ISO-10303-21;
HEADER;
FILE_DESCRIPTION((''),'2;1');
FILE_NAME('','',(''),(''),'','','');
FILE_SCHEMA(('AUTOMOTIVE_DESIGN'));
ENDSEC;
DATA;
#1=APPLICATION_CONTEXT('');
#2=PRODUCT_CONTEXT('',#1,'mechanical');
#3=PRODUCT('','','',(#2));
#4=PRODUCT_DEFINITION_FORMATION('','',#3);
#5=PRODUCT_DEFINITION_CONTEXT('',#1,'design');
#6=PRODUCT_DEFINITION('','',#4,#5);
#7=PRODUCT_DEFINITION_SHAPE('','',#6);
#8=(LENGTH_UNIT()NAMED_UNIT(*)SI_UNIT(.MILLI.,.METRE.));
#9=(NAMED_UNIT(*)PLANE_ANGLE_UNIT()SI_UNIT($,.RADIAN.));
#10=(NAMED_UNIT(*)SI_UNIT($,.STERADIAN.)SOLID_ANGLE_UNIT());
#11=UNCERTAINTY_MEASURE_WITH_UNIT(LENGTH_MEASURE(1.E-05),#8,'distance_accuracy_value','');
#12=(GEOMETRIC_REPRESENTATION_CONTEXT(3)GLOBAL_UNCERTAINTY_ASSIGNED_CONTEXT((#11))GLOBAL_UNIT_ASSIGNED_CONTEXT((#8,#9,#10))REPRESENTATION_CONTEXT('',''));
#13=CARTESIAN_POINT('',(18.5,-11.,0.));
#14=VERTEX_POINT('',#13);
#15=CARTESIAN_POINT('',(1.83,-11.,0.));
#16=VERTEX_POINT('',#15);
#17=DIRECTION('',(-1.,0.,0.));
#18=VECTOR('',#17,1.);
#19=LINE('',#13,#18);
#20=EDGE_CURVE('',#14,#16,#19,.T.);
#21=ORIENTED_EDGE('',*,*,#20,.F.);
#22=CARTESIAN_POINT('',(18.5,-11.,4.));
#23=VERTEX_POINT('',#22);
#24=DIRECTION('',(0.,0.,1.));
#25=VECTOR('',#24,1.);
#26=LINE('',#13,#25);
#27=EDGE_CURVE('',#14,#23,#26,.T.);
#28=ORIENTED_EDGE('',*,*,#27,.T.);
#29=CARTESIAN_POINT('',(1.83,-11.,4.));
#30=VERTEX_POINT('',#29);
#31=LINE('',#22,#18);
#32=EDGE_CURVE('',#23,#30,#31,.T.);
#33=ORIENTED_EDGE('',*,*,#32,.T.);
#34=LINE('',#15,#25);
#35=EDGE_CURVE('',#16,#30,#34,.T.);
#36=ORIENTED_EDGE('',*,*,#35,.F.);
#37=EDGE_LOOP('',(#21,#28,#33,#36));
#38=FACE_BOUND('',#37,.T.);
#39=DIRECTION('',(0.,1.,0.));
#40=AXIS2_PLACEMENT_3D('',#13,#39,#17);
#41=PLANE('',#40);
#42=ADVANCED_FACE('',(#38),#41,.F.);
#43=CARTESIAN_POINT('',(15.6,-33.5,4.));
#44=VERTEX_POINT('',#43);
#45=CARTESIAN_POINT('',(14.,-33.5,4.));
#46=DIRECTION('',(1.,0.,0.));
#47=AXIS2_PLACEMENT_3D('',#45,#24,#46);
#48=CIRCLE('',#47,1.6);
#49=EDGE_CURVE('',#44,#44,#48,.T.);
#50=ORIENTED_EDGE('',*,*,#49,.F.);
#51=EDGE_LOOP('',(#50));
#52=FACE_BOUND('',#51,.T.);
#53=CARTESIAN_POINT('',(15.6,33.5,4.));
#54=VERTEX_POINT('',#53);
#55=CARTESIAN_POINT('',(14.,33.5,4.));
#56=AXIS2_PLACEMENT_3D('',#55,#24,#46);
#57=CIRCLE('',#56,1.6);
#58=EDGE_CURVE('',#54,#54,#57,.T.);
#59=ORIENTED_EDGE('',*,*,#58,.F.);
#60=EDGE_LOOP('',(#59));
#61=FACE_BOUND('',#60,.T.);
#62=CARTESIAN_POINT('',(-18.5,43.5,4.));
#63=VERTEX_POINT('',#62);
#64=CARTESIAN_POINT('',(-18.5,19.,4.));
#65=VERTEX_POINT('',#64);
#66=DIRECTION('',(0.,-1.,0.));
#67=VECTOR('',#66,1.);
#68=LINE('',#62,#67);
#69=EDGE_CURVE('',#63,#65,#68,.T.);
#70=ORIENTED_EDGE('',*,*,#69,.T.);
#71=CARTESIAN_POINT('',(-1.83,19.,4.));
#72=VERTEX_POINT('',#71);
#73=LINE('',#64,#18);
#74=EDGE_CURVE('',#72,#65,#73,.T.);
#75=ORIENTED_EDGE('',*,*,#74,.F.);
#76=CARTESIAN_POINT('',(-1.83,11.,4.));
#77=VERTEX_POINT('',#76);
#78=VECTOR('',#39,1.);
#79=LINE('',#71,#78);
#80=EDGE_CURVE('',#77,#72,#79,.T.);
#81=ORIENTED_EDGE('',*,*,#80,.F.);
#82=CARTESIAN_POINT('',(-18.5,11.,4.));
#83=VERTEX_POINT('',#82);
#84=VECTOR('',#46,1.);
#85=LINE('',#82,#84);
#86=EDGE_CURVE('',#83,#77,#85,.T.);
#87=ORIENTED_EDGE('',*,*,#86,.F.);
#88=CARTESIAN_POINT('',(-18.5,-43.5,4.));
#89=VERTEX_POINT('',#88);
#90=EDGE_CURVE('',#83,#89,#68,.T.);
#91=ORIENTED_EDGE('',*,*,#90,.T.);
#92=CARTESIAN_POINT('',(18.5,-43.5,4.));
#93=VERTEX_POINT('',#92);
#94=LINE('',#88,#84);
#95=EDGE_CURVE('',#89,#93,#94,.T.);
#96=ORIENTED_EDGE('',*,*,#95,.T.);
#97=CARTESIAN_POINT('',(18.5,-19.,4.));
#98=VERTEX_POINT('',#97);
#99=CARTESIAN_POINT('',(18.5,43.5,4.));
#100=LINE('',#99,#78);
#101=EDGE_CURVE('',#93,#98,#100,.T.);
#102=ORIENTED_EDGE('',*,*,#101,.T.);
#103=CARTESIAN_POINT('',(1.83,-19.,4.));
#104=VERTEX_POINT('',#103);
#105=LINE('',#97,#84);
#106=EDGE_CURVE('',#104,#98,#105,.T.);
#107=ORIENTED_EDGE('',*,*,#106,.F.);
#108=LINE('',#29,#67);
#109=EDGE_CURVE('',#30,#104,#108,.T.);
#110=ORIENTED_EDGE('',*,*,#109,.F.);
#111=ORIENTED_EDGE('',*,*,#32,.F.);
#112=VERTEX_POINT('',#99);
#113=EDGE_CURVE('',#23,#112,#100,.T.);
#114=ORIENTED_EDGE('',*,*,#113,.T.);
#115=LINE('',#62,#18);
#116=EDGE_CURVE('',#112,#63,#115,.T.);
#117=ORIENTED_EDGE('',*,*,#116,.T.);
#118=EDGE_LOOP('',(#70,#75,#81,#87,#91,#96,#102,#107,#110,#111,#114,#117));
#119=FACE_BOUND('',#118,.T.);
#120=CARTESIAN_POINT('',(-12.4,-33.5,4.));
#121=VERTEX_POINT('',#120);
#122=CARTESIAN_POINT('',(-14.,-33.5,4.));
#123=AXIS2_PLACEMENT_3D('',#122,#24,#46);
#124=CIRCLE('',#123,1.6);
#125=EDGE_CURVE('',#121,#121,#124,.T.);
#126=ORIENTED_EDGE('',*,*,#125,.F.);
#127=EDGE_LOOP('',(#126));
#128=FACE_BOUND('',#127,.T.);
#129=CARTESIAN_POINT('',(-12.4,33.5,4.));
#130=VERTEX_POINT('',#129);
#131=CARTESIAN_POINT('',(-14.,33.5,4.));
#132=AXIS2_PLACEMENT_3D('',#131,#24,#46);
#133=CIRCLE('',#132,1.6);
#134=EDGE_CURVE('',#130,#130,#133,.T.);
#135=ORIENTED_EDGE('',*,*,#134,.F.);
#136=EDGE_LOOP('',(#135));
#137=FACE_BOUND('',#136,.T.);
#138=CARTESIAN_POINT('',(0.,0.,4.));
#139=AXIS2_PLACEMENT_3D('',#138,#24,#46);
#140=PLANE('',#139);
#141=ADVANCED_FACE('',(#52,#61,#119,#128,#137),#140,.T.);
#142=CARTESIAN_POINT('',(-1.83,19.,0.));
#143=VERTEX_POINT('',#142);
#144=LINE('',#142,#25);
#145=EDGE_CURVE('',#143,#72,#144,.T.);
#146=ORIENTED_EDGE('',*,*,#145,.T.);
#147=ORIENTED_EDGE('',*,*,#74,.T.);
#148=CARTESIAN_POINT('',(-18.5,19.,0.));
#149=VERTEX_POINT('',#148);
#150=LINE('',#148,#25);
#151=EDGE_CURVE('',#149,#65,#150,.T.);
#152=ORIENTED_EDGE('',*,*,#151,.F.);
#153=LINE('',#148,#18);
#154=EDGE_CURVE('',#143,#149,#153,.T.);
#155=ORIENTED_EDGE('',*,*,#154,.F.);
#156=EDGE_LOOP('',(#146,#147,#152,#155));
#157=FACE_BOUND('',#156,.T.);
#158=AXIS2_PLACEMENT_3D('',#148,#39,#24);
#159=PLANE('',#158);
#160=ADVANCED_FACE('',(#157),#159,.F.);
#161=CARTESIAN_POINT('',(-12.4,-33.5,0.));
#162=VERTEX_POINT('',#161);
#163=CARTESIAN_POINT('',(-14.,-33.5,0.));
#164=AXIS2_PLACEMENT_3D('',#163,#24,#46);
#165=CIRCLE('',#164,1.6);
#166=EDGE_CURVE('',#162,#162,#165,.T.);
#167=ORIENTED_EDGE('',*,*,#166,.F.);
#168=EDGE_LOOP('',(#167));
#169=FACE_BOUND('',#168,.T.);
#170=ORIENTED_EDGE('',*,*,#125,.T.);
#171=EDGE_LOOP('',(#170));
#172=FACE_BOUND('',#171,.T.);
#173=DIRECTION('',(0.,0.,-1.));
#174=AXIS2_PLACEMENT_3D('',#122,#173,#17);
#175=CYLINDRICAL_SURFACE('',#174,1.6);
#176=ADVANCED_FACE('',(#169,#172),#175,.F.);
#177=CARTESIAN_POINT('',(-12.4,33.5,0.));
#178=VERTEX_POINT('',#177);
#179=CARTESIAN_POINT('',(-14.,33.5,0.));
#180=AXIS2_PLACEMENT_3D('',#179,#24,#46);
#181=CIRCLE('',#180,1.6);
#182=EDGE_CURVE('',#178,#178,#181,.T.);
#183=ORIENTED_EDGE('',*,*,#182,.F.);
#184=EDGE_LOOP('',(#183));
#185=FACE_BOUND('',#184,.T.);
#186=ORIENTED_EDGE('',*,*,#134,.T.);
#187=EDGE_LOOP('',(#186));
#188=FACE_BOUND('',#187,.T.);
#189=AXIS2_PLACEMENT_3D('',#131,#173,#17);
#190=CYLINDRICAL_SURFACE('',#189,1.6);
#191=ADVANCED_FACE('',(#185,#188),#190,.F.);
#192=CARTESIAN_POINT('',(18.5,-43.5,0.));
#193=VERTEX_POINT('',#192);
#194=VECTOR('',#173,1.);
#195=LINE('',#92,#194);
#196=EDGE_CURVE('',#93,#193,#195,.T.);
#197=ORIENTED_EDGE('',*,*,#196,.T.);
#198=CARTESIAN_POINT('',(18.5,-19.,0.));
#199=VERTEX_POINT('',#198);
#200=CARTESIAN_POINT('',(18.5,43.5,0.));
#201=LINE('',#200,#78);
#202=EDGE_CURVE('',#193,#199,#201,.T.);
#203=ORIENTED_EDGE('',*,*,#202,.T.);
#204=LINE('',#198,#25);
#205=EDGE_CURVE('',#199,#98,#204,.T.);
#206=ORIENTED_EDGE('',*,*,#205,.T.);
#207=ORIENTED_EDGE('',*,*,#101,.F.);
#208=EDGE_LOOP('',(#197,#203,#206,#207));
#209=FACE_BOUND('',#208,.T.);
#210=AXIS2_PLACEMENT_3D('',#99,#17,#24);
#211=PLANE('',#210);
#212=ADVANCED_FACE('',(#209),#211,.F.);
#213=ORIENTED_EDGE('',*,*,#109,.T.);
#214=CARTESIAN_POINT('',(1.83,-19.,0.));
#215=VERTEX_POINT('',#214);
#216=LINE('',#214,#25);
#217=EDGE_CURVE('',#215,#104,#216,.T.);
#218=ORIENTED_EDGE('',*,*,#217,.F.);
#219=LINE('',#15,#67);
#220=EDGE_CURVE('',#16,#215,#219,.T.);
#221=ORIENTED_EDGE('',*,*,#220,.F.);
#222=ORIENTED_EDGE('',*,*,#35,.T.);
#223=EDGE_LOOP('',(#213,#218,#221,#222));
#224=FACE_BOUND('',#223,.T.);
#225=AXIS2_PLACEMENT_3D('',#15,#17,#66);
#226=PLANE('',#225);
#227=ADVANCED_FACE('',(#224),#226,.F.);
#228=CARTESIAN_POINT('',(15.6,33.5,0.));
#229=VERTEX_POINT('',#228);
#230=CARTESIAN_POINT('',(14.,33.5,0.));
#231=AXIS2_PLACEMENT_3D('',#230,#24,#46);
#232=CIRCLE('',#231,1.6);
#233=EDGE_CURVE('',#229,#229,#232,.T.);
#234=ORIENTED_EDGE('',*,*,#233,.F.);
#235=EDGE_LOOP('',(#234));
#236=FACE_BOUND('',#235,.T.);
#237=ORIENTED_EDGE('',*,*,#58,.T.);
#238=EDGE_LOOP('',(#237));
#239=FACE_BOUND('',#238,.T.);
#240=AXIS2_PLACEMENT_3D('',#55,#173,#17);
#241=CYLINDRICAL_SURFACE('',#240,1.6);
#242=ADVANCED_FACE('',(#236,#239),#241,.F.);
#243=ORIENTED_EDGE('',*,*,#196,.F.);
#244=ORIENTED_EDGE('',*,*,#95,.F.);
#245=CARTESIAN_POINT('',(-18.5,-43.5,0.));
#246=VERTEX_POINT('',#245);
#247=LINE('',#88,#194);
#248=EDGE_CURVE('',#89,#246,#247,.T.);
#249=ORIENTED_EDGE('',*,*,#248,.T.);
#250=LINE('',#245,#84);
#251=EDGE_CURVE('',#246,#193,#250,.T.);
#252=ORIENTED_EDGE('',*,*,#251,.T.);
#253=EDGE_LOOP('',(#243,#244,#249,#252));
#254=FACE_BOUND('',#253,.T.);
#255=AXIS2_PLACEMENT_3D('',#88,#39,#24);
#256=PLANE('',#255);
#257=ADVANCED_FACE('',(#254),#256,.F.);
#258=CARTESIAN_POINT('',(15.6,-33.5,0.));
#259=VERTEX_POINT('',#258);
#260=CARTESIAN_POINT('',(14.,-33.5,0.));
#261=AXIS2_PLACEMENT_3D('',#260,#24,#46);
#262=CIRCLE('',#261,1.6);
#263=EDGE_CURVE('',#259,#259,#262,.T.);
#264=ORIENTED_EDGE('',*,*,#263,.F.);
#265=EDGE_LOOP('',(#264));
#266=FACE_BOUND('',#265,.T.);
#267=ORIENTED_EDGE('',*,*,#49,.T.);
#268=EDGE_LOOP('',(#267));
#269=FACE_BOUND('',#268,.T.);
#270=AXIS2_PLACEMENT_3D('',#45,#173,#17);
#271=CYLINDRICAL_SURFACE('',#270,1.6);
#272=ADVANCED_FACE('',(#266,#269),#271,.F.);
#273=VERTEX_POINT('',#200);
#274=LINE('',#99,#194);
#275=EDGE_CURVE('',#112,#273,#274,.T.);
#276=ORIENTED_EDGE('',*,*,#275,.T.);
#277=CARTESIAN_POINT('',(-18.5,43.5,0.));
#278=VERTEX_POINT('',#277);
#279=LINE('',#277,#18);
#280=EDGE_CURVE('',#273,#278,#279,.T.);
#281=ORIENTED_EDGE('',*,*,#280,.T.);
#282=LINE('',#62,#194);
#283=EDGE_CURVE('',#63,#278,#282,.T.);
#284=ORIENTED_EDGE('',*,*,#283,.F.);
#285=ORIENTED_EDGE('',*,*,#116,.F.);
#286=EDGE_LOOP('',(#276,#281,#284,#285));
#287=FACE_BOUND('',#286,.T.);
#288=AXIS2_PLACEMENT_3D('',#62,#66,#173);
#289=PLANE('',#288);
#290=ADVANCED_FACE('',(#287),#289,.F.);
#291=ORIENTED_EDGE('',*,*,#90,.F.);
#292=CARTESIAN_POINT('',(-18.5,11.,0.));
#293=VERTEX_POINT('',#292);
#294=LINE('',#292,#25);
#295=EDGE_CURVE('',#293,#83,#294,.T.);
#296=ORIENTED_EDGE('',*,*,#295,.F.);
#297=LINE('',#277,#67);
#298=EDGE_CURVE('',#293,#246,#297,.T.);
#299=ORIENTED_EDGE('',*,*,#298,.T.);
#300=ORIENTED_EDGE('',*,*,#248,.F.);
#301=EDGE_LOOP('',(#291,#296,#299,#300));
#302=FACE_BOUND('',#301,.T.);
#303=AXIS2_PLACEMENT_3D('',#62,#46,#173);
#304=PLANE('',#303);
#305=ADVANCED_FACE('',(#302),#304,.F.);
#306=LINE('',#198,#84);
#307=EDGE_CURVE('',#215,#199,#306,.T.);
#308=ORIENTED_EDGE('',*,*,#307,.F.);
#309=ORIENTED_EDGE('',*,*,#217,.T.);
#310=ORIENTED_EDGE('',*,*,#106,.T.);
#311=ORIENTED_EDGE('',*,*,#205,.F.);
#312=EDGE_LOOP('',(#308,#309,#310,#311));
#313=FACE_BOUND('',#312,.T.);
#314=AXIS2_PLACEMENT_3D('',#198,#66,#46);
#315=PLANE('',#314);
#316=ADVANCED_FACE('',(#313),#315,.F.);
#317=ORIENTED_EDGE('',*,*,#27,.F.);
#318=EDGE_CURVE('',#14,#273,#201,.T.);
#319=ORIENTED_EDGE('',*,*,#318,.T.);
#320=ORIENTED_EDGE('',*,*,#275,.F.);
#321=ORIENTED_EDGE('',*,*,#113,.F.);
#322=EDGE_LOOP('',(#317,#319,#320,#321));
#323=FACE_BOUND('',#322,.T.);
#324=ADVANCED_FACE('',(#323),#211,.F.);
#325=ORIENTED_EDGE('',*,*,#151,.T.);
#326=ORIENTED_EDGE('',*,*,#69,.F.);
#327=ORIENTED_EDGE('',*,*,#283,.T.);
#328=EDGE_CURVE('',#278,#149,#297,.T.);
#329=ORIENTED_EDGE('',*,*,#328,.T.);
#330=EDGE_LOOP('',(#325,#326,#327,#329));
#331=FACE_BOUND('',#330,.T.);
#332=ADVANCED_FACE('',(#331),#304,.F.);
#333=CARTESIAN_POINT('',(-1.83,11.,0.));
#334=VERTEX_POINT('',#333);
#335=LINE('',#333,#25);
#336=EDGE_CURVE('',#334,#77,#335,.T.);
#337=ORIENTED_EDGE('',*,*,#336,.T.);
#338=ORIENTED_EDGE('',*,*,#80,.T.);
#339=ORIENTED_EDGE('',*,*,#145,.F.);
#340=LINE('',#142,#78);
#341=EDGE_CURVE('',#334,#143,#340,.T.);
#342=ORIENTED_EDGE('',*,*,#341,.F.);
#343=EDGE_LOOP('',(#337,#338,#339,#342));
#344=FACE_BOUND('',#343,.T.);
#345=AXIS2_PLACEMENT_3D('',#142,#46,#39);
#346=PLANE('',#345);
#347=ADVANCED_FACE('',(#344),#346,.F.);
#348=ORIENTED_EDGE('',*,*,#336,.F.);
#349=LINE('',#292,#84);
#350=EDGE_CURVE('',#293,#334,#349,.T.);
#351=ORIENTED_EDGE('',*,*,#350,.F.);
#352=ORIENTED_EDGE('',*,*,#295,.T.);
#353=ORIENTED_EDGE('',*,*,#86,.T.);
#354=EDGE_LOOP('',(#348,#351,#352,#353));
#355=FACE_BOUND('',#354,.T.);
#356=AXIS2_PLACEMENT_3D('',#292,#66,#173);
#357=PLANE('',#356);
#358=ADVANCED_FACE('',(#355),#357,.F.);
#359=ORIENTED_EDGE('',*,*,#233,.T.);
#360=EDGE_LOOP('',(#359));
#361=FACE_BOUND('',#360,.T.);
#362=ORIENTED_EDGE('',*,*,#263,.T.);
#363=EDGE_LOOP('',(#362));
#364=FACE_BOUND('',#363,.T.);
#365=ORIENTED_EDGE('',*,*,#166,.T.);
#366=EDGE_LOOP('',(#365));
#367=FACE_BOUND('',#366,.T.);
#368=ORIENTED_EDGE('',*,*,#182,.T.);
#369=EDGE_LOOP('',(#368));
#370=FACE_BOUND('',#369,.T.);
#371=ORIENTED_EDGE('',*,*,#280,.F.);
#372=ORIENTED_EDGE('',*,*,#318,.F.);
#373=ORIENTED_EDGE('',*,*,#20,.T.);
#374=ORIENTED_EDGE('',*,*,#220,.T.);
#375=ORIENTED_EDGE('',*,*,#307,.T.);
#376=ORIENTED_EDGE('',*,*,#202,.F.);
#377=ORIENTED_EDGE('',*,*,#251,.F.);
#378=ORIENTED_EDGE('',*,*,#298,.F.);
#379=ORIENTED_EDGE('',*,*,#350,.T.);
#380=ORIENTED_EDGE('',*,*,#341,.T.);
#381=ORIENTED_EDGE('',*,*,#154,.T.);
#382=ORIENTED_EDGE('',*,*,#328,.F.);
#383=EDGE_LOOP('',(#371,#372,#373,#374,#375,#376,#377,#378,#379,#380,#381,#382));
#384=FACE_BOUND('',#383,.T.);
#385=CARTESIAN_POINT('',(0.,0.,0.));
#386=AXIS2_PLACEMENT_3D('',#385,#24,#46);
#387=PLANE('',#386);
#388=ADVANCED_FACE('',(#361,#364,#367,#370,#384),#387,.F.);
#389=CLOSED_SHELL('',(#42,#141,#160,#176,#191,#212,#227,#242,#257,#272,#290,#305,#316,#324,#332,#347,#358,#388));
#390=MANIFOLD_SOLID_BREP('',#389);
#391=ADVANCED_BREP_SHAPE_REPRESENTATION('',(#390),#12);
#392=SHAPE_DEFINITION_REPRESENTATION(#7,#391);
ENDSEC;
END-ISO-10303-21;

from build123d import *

# Parameters (mm, degrees)
SKETCH_1_W          = 37
SKETCH_1_H          = 87
SKETCH_1_R          = 1.6
EXTRUDE_1_DEPTH     = 4
SKETCH_2_W          = 16.67
SKETCH_2_H          = 8
CUT_EXTRUDE_1_DEPTH = 48.439435073


with BuildPart() as part:
    # 草图1 → 凸台-拉伸1 (new body)
    with BuildSketch(Plane.XY):
        Rectangle(SKETCH_1_W, SKETCH_1_H)
        with Locations((-14, 33.5)):
            Circle(SKETCH_1_R, mode=Mode.SUBTRACT)
        with Locations((14, 33.5)):
            Circle(SKETCH_1_R, mode=Mode.SUBTRACT)
        with Locations((-14, -33.5)):
            Circle(SKETCH_1_R, mode=Mode.SUBTRACT)
        with Locations((14, -33.5)):
            Circle(SKETCH_1_R, mode=Mode.SUBTRACT)
    extrude(amount=EXTRUDE_1_DEPTH)

    # 草图2 → 切除-拉伸1 (cut, through all)
    with BuildSketch(Plane.XY.offset(4)):
        with Locations((-10.165, 15)):
            Rectangle(SKETCH_2_W, SKETCH_2_H)
        with Locations((10.165, -15)):
            Rectangle(SKETCH_2_W, SKETCH_2_H)
    extrude(amount=-CUT_EXTRUDE_1_DEPTH, mode=Mode.SUBTRACT)


solid = part.part
